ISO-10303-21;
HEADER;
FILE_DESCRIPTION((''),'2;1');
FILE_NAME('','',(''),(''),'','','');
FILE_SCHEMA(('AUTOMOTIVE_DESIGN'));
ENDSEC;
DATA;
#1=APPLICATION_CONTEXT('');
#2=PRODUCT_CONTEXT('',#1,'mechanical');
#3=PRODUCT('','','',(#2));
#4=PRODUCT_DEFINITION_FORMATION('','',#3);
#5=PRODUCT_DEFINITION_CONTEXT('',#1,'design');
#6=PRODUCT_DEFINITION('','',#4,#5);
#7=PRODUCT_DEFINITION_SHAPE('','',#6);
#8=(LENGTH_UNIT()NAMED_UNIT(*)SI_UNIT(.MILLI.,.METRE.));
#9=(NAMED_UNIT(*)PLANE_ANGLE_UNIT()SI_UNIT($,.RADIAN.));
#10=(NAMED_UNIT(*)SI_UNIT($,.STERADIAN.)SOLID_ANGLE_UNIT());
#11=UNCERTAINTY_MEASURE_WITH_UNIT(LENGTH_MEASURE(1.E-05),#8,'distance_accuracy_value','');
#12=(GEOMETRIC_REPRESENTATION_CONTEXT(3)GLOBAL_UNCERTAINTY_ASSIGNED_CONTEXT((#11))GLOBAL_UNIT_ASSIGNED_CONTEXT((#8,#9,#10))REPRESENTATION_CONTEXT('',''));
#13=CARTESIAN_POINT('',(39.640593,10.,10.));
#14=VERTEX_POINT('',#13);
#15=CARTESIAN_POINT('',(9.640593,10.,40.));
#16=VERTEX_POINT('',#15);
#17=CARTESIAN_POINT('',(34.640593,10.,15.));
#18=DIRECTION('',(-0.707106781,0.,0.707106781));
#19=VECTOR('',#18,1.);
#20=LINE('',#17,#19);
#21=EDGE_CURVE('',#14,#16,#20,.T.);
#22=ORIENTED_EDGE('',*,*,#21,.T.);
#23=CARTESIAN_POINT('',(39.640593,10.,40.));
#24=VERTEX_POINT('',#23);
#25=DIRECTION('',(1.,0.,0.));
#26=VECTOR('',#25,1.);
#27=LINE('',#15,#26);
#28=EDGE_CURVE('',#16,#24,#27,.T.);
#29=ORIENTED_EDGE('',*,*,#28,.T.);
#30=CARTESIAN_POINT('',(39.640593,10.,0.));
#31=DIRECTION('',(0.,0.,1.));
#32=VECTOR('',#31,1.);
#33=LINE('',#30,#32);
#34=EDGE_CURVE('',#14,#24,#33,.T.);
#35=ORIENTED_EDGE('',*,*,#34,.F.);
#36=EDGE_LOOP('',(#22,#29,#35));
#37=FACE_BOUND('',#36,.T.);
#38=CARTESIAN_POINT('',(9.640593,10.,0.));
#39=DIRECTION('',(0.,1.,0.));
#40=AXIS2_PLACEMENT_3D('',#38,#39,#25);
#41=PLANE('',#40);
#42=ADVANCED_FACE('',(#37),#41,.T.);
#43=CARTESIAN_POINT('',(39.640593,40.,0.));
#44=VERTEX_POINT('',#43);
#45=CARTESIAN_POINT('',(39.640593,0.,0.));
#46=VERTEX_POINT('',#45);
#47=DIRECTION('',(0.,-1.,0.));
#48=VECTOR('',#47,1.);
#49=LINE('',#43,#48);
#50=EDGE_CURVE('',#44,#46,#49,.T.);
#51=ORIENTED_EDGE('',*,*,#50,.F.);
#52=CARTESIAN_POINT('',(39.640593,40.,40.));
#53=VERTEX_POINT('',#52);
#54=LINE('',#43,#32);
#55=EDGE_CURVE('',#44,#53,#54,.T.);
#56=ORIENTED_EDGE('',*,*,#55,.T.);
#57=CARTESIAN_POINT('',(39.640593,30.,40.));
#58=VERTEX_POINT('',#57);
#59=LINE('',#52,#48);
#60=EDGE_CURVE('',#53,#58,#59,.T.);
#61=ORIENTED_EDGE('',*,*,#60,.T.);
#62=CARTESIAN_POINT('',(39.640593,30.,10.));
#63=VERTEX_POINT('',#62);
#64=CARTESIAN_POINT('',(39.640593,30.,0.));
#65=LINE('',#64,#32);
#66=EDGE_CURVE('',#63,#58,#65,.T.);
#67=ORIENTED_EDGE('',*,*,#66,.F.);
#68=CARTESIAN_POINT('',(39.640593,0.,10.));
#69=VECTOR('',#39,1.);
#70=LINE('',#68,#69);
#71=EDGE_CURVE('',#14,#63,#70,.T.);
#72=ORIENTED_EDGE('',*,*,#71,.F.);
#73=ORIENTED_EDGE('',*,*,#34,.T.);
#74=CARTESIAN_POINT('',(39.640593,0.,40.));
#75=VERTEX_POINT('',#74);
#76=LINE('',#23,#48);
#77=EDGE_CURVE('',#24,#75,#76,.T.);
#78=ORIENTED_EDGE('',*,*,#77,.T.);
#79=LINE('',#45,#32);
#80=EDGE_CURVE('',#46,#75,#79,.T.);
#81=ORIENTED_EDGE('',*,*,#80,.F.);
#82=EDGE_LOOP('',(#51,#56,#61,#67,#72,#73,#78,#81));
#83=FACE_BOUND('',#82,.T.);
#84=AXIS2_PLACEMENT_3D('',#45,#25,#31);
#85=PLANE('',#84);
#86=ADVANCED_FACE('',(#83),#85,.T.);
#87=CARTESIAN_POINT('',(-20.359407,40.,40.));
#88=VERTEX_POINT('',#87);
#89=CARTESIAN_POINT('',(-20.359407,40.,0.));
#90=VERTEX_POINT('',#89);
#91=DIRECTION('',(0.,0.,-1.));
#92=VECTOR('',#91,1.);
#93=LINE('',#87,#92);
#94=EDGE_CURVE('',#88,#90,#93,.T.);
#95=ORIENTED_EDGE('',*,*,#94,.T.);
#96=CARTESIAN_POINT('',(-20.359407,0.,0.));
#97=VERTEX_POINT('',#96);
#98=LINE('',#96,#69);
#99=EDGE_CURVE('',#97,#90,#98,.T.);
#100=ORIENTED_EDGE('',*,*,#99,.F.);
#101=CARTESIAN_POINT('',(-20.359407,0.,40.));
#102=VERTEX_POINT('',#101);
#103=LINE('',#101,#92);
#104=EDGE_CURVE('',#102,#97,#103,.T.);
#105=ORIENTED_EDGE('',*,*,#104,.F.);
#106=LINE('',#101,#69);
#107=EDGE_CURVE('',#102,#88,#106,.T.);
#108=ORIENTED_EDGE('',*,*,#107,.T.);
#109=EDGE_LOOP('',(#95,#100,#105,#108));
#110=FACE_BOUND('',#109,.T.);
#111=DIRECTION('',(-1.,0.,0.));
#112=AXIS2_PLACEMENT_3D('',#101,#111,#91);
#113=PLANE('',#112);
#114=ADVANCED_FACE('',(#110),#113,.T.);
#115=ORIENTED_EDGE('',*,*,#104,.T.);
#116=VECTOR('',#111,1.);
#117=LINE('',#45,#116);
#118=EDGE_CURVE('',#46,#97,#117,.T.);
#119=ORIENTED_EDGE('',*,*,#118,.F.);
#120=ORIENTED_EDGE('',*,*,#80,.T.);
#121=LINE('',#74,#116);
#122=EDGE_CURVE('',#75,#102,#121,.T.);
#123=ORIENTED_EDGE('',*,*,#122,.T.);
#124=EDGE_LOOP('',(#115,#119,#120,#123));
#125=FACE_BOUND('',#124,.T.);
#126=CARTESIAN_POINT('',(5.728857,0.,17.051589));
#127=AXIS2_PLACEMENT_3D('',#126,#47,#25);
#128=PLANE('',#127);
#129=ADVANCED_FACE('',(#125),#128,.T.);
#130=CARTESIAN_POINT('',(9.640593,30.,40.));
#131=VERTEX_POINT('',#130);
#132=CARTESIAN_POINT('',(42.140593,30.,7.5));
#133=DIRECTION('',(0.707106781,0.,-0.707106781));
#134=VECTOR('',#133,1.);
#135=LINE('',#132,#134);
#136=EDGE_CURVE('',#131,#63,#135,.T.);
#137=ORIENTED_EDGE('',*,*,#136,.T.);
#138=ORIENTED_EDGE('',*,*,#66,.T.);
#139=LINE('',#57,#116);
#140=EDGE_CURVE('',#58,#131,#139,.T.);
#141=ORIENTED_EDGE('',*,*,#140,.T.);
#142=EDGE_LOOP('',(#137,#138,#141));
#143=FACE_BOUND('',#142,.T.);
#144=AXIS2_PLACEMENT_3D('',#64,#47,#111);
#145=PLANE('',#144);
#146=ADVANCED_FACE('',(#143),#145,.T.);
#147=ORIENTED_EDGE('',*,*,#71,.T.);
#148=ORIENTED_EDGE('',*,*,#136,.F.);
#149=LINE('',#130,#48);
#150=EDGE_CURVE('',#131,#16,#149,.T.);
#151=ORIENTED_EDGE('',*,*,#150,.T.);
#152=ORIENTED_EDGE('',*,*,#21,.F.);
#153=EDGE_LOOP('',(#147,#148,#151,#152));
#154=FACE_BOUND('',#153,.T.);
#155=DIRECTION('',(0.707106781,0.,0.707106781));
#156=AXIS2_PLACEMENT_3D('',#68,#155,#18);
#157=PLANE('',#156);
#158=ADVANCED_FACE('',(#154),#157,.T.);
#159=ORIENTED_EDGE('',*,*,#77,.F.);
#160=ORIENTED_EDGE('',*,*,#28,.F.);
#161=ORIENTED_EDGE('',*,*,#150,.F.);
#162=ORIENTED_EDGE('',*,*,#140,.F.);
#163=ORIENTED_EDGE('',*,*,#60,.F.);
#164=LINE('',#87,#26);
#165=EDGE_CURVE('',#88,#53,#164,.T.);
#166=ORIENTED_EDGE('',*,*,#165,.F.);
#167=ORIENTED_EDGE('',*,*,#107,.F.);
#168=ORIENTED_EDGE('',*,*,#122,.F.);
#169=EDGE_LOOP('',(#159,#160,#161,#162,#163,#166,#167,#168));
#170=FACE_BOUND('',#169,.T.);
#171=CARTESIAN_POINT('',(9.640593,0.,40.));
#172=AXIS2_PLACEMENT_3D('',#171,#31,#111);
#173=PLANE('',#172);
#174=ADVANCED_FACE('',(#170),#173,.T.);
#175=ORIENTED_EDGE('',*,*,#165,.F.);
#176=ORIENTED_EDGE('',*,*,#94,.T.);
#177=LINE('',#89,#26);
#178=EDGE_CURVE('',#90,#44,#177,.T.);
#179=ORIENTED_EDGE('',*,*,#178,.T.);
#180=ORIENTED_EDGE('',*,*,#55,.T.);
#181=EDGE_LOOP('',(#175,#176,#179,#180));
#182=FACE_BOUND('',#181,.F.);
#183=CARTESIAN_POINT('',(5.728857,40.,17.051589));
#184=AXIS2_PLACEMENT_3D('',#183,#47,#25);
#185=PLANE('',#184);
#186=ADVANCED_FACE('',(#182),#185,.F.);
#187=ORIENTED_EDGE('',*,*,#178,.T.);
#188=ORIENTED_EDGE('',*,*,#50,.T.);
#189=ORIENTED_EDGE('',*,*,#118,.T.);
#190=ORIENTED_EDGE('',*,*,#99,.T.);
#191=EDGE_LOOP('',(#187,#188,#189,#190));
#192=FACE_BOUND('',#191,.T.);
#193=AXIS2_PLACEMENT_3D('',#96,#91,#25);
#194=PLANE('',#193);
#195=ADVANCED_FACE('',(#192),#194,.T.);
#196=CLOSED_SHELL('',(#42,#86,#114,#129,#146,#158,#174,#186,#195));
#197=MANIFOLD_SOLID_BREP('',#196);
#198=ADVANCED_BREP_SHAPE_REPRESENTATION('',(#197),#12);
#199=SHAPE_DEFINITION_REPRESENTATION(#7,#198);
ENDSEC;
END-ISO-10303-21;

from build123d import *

# Parameters (mm, degrees)
F1_DEPTH = 40
F3_DEPTH = 40


with BuildPart() as f1:
    # F0 (on Front) → F1 (new body)
    with BuildSketch(Plane.XZ):
        Polygon((-20.359407, 0), (39.640593, 0), (39.640593, 10), (9.640593, 40), (-20.359407, 40), align=None)
    extrude(amount=-F1_DEPTH)

    # F2 (on face) → F3 (join)
    with BuildSketch(Plane(origin=(0, 0, 0), x_dir=(1, 0, 0), z_dir=(0, 0, -1))):
        Polygon((39.640593, -10), (39.640593, 0), (2.79917, 0), (2.79917, -40), (39.640593, -40), (39.640593, -30), (9.640593, -30), (9.640593, -10), align=None)
    extrude(amount=-F3_DEPTH)


solid = f1.part
